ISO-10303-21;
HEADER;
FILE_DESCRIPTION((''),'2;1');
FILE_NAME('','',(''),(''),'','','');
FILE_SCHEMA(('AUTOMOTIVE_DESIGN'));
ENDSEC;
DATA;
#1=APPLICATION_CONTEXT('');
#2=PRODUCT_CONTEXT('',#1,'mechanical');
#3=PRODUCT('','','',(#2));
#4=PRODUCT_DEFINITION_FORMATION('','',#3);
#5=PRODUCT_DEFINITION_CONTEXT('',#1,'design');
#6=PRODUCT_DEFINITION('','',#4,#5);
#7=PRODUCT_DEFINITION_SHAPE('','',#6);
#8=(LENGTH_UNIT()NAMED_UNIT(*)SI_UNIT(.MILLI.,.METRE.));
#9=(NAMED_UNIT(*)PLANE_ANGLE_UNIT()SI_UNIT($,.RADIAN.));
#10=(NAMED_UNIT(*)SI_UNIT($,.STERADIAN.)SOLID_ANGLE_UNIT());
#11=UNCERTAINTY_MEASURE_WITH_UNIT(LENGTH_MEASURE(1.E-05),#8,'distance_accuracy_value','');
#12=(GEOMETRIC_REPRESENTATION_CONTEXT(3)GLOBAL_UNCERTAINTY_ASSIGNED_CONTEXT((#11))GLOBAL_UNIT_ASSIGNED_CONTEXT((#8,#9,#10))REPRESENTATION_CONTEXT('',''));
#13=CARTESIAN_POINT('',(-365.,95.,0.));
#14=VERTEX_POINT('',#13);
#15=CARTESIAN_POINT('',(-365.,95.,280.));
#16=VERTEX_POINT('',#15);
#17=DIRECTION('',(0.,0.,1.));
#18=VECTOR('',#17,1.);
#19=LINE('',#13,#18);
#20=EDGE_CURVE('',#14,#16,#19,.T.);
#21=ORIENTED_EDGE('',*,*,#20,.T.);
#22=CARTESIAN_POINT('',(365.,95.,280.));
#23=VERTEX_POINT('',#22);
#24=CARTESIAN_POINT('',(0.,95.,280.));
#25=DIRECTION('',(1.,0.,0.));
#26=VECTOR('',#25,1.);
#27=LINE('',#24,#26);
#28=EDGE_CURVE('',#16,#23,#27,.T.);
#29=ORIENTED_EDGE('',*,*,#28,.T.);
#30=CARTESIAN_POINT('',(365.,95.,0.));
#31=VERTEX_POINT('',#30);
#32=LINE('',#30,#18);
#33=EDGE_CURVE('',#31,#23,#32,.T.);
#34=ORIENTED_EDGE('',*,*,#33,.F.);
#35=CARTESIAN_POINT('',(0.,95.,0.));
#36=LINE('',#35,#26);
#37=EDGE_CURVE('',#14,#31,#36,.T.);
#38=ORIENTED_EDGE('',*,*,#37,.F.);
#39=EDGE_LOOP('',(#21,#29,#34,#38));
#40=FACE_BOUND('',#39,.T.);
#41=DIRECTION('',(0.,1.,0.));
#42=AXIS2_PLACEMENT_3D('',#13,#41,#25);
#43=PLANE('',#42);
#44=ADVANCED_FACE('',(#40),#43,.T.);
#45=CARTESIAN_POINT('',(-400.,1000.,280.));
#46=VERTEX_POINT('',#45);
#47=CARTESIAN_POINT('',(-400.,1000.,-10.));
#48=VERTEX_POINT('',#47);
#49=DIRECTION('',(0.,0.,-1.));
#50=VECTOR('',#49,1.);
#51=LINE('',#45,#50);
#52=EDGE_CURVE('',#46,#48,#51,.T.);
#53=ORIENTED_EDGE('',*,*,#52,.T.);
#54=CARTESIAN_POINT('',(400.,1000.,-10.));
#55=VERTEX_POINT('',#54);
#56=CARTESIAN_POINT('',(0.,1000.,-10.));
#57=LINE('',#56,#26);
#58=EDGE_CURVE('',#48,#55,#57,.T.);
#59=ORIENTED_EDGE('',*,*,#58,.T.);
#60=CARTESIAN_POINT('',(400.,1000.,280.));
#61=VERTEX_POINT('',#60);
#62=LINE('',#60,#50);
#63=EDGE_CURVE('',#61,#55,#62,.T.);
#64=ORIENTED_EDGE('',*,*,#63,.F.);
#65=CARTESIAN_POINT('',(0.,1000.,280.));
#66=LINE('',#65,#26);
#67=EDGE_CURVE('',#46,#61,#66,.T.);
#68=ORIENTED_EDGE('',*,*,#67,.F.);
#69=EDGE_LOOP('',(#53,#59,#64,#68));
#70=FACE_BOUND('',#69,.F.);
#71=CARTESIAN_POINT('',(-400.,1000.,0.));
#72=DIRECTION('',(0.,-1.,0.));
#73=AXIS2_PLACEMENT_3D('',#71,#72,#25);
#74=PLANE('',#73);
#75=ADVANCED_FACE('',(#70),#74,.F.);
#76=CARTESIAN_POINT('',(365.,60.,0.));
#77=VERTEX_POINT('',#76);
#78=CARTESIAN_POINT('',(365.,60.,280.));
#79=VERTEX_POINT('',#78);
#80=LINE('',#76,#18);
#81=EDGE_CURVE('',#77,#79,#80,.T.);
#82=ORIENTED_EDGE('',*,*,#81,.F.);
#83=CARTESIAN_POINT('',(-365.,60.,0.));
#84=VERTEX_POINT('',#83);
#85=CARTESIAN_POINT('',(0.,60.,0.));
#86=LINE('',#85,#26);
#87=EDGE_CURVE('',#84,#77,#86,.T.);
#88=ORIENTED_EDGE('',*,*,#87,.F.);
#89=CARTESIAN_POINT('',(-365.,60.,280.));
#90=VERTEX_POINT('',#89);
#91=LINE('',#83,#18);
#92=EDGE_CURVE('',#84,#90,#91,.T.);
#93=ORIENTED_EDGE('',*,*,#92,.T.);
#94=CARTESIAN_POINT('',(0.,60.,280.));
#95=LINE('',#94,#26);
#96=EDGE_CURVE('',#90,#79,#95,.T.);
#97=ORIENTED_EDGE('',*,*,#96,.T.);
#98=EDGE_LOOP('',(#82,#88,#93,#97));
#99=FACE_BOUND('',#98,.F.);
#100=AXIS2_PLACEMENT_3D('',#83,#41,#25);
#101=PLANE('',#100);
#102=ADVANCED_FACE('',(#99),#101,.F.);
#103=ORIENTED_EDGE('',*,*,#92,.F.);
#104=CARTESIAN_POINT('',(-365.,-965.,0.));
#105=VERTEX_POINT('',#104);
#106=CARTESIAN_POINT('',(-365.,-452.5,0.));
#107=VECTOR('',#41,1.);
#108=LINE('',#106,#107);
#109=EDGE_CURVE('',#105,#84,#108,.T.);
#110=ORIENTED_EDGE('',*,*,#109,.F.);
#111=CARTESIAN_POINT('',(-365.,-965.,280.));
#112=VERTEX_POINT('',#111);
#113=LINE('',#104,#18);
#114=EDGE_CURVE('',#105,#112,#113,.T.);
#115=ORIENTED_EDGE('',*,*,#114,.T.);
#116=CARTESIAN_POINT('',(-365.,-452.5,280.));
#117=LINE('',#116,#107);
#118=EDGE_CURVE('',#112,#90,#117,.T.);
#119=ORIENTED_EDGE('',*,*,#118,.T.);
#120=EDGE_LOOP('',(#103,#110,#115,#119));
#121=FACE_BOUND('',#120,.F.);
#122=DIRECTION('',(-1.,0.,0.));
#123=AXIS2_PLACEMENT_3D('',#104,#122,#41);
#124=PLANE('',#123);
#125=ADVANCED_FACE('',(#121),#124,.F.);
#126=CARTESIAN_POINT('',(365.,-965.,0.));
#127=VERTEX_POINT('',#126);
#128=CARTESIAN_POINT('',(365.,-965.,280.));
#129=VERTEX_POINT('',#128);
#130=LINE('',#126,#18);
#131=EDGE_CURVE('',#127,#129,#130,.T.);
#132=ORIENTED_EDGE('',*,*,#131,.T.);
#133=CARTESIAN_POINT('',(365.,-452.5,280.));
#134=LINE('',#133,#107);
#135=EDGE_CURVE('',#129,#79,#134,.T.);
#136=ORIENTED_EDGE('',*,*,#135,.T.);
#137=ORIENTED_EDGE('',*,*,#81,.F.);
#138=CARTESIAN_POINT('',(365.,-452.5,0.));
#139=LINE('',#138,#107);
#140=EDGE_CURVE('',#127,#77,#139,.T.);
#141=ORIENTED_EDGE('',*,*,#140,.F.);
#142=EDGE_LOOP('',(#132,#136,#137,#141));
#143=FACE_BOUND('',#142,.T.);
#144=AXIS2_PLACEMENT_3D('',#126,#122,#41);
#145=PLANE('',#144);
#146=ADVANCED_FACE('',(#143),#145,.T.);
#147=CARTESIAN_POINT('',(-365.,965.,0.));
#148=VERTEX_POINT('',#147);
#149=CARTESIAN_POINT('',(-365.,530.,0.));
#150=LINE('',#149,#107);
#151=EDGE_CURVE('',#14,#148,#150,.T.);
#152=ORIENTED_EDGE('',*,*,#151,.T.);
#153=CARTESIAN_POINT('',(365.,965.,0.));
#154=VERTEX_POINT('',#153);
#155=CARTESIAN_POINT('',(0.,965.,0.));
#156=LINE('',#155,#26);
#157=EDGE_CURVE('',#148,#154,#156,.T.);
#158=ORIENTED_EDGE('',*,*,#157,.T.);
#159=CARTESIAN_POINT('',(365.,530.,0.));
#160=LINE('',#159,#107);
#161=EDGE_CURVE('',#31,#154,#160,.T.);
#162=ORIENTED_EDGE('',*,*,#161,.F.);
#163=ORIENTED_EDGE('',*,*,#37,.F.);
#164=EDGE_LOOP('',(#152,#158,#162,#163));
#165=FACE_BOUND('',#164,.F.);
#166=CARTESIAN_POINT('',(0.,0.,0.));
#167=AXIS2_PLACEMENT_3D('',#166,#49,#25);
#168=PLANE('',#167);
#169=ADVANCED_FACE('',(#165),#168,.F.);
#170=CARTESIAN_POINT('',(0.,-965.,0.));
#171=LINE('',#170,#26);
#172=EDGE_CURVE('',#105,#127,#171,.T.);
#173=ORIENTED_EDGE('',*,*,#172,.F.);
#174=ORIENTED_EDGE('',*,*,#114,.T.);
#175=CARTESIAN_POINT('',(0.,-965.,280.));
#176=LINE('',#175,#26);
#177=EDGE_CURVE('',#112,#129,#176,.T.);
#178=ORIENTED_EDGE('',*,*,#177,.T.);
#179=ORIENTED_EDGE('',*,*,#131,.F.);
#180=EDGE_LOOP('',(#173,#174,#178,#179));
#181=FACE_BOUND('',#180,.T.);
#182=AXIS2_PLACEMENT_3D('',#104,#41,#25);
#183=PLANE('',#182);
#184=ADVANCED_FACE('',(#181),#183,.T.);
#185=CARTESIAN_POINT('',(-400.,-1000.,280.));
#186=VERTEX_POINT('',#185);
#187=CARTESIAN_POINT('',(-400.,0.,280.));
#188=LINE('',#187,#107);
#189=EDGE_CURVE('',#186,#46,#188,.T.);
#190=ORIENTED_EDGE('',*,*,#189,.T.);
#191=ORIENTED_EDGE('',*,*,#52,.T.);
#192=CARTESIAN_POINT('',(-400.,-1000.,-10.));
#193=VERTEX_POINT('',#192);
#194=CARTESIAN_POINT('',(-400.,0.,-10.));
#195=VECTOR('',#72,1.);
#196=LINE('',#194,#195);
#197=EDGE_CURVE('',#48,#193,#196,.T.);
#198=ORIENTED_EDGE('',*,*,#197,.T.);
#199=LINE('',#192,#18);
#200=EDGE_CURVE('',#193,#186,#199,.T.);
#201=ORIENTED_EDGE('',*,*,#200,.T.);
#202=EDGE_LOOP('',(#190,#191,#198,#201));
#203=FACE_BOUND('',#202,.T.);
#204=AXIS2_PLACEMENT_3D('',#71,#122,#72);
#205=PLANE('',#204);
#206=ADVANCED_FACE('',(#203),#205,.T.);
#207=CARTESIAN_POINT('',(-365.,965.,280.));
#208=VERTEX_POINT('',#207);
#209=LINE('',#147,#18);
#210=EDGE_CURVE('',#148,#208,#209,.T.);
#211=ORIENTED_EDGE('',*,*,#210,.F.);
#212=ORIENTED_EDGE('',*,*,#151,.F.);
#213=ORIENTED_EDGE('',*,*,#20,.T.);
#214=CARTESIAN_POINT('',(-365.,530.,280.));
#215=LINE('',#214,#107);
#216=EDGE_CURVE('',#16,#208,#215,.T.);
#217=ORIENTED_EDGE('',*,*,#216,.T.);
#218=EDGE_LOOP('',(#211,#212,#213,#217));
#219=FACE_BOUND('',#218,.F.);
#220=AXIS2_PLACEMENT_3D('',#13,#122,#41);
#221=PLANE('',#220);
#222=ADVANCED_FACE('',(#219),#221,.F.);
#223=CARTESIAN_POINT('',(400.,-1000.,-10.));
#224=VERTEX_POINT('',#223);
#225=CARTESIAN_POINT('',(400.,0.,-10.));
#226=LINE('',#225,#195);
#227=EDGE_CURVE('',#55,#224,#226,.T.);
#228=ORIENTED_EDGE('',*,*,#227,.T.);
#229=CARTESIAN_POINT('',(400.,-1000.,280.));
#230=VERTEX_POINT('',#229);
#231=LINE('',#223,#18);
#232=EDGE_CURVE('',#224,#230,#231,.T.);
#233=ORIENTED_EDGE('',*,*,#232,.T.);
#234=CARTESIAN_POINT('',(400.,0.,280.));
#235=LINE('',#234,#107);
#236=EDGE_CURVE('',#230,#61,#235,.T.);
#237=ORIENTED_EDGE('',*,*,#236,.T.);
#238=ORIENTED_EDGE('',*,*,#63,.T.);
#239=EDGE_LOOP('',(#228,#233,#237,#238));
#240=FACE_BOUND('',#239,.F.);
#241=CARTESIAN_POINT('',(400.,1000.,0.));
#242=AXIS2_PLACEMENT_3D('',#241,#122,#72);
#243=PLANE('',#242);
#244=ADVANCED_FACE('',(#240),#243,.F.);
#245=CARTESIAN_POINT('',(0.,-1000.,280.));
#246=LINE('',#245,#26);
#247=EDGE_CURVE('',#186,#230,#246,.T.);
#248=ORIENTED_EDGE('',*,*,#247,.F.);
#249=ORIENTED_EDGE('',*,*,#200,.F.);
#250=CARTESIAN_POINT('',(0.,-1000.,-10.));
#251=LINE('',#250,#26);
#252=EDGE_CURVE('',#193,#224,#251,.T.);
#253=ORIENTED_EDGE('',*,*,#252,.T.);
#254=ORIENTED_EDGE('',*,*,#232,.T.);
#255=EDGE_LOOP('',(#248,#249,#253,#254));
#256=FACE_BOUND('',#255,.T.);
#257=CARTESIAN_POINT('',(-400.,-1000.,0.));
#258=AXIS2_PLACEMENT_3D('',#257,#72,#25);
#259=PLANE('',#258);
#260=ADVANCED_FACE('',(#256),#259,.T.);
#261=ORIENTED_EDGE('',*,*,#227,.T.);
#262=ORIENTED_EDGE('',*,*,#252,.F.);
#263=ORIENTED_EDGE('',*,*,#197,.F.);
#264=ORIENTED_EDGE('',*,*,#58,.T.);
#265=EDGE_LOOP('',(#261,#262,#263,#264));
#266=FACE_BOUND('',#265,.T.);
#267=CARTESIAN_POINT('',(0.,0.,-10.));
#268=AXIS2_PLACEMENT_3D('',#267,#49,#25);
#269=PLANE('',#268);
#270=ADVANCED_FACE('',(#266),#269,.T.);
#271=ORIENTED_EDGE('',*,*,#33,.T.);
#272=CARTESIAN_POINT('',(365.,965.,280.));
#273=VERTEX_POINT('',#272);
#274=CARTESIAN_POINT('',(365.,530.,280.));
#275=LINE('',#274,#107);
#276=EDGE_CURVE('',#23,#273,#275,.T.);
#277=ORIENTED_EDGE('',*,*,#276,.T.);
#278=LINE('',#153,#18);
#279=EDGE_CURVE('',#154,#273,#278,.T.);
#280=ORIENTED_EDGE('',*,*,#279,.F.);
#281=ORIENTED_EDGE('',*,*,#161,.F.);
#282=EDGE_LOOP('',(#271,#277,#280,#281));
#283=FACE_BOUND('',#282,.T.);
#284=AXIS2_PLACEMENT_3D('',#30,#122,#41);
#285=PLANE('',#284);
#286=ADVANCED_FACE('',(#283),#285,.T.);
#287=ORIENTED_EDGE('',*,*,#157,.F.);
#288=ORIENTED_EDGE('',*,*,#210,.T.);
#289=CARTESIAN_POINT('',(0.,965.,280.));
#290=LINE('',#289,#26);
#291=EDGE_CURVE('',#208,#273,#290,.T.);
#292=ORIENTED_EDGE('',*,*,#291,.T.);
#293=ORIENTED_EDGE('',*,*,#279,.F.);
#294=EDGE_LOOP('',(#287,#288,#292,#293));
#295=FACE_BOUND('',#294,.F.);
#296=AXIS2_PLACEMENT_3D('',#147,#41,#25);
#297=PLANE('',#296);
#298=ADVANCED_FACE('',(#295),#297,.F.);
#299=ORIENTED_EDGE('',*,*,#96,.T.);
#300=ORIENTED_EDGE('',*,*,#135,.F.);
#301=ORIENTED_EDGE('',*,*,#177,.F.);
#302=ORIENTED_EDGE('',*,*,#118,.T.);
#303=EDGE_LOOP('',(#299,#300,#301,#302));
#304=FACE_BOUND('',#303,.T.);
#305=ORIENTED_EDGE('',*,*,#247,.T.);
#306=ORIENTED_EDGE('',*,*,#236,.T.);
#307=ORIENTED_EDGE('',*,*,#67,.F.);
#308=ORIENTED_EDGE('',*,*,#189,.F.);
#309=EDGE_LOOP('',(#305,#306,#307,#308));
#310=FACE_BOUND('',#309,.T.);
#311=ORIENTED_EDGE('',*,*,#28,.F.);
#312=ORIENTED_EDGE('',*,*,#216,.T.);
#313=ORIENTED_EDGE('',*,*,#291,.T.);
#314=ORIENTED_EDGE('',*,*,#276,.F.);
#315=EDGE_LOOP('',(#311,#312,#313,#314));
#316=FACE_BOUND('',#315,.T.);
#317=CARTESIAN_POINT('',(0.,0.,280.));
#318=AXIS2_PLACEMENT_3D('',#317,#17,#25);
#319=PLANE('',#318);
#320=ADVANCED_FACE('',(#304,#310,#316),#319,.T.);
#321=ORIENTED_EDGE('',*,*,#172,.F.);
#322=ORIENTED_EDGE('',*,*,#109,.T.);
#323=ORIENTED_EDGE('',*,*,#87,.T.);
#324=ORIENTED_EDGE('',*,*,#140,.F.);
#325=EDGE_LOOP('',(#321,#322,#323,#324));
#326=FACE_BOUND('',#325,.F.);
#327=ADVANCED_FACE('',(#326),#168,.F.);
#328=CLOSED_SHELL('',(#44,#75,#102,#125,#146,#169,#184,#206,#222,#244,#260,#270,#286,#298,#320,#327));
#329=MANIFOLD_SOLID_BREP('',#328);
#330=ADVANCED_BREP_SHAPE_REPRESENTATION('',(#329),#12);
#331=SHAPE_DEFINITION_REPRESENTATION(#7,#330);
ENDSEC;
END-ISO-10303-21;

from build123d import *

# Parameters (mm, degrees)
F0_W     = 800
F0_H     = 2000
F0_W_2   = 730
F0_H_2   = 1025
F0_H_3   = 870
F1_DEPTH = 280
F2_W     = 800
F2_H     = 2000
F3_DEPTH = 10


with BuildPart() as f1:
    # F0 (on Top) → F1 (new body)
    with BuildSketch(Plane.XY):
        Rectangle(F0_W, F0_H)
        with Locations((0, -452.5)):
            Rectangle(F0_W_2, F0_H_2, mode=Mode.SUBTRACT)
        with Locations((0, 530)):
            Rectangle(F0_W_2, F0_H_3, mode=Mode.SUBTRACT)
    extrude(amount=F1_DEPTH)

    # F2 (on face) → F3 (join)
    with BuildSketch(Plane(origin=(0, 0, 0), x_dir=(1, 0, 0), z_dir=(0, 0, -1))):
        Rectangle(F2_W, F2_H)
    extrude(amount=F3_DEPTH)


solid = f1.part
